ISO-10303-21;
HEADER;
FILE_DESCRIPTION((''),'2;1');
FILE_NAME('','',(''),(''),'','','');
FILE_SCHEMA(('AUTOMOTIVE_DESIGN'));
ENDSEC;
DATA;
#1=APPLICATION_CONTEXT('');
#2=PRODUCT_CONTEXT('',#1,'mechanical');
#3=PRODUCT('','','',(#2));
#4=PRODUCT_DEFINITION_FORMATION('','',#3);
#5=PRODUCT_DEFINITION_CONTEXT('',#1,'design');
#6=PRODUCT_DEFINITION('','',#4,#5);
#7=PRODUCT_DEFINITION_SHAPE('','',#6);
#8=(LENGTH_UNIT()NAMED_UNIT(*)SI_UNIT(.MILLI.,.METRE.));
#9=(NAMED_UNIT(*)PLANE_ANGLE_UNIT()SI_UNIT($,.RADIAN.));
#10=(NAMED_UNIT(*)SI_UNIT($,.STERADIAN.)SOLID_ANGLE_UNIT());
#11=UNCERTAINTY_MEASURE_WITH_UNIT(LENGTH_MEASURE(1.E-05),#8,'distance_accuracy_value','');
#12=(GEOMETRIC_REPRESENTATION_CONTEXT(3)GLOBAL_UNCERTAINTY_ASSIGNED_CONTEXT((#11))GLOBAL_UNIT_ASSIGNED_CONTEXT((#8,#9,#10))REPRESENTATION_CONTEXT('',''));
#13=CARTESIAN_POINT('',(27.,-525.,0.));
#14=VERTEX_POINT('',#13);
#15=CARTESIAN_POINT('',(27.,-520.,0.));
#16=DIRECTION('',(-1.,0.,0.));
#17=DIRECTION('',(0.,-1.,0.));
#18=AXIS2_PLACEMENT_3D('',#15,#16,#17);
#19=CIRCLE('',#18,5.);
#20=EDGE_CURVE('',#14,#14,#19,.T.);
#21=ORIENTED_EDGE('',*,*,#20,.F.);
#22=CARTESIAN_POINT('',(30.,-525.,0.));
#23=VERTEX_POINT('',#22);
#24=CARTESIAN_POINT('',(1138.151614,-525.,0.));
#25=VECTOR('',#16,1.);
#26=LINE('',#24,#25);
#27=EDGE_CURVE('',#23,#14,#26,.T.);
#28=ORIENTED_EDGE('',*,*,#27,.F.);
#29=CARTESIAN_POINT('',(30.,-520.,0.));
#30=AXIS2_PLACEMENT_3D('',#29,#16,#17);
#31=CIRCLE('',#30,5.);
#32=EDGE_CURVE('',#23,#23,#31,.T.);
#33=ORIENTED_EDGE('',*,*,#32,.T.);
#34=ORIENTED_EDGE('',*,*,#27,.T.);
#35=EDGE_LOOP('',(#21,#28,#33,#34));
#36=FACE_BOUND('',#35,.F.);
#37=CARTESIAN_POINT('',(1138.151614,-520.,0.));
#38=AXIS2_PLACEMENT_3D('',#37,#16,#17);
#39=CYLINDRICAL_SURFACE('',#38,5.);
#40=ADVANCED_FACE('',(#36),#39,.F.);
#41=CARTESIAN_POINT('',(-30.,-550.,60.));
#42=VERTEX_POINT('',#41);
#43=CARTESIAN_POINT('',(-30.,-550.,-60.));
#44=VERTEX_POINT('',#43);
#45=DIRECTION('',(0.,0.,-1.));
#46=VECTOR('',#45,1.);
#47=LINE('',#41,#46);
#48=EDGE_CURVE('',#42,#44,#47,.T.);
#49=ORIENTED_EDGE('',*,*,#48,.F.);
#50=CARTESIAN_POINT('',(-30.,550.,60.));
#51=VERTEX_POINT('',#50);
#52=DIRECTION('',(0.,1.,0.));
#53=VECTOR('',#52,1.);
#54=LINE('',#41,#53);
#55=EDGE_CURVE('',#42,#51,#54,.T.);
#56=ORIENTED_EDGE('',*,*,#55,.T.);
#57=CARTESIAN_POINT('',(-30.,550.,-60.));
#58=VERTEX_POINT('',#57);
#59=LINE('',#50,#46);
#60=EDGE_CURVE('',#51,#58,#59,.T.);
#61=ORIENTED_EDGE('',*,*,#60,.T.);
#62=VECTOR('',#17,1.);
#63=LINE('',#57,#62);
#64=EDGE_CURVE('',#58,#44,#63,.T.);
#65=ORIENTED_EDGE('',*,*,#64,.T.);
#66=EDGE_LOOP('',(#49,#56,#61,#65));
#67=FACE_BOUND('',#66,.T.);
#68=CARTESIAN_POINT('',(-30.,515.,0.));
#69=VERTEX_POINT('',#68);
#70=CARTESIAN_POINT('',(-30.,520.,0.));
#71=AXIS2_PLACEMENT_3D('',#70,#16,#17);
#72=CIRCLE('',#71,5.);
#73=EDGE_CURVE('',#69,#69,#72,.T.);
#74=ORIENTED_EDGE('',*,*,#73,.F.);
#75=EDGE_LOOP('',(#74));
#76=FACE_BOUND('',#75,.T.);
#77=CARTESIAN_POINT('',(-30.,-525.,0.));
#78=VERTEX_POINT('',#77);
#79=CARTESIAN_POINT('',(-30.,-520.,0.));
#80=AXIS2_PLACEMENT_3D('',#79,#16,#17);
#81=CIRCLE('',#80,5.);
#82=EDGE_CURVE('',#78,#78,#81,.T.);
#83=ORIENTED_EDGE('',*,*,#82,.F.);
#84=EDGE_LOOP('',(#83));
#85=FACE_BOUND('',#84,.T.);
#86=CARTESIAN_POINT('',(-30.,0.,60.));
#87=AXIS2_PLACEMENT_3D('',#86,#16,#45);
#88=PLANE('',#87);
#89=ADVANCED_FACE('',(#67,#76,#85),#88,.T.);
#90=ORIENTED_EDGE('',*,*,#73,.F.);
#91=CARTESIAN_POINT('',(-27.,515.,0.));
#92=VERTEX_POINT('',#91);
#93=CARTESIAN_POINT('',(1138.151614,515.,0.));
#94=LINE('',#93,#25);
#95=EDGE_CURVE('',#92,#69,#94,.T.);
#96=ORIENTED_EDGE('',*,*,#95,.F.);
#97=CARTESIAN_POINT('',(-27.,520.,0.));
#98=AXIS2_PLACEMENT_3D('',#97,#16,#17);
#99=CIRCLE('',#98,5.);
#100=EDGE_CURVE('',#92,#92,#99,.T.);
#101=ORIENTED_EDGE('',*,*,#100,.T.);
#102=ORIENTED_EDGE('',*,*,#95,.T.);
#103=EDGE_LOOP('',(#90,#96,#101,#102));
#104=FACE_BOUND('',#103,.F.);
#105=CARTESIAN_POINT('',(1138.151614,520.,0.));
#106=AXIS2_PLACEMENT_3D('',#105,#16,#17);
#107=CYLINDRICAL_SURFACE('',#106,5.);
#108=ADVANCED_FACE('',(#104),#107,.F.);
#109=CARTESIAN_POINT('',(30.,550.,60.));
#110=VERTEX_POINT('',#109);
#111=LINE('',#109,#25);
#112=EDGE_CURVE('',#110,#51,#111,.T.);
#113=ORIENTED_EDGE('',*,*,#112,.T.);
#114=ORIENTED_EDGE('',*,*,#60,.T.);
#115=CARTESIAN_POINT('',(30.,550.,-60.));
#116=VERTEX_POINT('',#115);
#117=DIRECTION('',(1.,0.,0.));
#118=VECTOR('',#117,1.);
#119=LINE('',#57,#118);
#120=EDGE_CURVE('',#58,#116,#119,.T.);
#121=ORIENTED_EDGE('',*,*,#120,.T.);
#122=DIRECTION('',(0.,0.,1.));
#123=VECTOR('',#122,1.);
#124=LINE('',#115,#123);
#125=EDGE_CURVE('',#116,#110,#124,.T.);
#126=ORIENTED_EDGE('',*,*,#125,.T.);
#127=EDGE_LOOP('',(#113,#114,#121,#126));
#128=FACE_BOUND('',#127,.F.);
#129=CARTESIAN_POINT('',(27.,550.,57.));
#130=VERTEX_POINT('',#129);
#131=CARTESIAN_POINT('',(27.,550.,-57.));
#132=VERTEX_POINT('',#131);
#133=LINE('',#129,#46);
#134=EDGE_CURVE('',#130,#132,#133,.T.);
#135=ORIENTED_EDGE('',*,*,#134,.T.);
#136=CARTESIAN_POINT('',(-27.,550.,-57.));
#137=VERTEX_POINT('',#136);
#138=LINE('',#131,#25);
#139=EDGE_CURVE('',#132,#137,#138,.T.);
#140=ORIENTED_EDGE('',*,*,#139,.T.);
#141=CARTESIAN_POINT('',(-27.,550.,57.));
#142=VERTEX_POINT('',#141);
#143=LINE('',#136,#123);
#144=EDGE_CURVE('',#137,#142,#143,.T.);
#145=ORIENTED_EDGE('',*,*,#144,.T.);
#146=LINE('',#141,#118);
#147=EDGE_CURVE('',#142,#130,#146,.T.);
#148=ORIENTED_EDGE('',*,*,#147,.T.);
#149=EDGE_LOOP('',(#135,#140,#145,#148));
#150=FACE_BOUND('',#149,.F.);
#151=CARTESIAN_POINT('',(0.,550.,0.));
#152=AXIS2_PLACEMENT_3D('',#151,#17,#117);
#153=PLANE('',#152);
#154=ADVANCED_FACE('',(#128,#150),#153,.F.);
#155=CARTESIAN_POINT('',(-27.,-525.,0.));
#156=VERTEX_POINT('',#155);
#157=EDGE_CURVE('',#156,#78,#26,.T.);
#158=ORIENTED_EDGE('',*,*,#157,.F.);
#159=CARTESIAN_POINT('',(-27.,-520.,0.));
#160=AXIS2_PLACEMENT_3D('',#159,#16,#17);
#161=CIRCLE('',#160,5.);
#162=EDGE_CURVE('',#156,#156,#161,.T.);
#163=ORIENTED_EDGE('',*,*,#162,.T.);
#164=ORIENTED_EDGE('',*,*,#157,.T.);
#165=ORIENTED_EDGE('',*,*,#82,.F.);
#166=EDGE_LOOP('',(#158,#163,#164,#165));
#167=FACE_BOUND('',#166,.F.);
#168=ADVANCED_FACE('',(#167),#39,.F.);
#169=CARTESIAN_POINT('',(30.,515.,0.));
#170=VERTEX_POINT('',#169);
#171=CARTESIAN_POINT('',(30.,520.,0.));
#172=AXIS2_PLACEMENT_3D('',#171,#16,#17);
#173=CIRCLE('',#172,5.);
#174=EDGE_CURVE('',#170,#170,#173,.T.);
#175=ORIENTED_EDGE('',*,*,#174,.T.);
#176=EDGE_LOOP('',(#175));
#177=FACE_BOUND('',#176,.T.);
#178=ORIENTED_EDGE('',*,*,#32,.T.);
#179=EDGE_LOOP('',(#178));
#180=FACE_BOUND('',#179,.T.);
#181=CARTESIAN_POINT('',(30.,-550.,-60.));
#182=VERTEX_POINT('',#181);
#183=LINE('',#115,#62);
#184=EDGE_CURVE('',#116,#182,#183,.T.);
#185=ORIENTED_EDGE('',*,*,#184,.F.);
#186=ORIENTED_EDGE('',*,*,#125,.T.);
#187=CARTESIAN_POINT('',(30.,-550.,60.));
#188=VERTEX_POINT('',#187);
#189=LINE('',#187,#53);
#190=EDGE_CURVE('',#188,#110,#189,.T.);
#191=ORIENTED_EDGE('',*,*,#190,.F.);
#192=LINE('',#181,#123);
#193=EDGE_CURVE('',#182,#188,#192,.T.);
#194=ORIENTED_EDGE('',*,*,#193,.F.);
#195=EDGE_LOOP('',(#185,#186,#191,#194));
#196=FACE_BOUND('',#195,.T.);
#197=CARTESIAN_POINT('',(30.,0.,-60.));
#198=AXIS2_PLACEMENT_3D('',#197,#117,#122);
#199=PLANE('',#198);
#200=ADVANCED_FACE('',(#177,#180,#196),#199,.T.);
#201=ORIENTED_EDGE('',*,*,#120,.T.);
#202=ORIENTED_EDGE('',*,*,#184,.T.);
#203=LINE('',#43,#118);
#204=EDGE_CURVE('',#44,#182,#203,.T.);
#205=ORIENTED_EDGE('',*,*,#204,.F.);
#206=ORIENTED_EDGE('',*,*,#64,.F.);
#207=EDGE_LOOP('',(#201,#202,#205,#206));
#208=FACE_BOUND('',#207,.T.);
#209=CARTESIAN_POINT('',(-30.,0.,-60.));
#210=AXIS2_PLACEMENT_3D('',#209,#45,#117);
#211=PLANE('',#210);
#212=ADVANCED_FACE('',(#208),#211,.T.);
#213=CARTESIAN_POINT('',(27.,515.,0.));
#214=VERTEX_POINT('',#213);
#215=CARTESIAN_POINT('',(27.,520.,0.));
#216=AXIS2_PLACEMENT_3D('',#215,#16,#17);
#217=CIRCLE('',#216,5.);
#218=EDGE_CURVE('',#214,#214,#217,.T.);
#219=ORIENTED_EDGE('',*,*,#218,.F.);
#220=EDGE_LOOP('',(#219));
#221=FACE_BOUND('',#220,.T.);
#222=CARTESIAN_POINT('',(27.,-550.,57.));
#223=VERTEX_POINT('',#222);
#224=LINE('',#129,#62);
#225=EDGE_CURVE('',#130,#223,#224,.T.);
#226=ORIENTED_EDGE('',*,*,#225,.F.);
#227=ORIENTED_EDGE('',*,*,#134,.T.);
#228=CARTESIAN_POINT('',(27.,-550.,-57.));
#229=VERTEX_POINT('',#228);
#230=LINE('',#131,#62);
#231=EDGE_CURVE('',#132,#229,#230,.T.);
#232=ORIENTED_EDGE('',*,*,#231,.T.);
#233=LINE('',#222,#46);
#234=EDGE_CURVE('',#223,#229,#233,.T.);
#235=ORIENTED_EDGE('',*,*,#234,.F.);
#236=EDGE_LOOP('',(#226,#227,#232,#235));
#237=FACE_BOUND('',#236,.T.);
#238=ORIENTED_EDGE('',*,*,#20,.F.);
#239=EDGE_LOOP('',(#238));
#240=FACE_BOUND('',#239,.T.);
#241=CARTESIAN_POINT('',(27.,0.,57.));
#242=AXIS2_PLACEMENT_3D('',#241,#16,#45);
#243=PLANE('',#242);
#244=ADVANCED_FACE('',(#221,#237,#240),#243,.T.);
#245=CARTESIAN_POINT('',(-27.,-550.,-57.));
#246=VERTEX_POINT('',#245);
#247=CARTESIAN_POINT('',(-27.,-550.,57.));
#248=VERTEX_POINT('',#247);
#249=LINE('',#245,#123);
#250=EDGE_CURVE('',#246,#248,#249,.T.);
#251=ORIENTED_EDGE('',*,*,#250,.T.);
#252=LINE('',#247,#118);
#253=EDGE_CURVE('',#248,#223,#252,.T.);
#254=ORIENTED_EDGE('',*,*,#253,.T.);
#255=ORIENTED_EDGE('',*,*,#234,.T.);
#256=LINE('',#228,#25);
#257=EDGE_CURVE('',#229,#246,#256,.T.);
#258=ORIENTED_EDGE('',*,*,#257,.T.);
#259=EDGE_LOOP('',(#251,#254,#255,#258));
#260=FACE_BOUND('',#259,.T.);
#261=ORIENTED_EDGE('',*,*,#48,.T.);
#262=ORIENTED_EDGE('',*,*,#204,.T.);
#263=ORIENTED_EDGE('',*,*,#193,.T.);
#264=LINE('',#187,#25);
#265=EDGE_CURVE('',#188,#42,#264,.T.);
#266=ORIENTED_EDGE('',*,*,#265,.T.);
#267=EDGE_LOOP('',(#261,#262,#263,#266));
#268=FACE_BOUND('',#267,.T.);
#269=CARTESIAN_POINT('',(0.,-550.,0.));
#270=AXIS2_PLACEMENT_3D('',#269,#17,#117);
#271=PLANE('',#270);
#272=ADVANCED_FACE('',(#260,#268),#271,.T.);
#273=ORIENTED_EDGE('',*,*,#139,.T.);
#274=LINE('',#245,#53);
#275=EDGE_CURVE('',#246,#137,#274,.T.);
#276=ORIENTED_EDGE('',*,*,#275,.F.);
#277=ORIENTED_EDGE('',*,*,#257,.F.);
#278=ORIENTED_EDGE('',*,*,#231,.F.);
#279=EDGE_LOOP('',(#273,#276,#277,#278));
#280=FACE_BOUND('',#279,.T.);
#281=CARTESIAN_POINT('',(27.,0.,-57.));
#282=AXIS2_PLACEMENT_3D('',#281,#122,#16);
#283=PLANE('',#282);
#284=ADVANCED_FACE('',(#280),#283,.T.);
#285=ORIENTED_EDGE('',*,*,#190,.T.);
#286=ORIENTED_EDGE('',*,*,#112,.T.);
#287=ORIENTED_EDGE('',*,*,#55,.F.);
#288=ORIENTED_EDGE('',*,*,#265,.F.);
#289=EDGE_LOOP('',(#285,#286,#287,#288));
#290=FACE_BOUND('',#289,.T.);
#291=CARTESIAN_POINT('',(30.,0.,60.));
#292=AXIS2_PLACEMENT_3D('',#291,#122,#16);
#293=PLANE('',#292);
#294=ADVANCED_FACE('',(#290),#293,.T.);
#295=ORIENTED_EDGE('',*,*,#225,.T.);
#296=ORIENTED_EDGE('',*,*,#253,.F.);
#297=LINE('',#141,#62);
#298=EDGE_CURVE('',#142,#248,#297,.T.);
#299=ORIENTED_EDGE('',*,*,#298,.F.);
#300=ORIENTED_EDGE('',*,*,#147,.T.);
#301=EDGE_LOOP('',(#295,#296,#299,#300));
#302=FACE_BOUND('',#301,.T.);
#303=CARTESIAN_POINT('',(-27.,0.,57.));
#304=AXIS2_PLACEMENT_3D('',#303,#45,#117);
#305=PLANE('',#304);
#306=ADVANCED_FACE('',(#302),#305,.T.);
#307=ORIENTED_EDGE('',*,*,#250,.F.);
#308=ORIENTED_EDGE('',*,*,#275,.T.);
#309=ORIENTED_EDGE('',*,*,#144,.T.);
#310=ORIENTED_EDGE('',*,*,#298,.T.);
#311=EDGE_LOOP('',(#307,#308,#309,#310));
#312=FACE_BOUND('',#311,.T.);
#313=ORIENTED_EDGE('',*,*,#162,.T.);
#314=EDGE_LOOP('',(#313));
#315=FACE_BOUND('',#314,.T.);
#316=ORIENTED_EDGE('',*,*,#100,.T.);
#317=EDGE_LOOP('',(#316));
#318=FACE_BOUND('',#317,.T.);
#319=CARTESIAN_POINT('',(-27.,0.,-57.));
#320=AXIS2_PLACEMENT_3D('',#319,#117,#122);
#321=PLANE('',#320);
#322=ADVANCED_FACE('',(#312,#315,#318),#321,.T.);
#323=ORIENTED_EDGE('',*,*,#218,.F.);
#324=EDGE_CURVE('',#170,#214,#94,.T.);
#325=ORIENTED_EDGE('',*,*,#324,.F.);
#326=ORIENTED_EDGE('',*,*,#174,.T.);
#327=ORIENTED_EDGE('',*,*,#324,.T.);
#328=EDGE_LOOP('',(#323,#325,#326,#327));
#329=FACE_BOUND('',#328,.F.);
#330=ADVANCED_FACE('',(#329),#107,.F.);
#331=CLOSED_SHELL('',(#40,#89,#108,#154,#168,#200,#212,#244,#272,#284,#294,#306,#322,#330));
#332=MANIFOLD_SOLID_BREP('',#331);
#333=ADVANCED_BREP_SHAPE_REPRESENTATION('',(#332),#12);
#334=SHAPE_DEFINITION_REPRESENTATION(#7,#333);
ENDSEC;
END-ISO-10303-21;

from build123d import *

# Parameters (mm, degrees)
F1_DEPTH = 550
F3_D     = 10


with BuildPart() as f1:
    # F0 (on Front) → F1 (new body, symmetric)
    with BuildSketch(Plane.XZ):
        Polygon((-30, 60), (-30, 0), (-30, -60), (30, -60), (30, 60), align=None)
        Polygon((-27, 0), (-27, 57), (27, 57), (27, -57), (-27, -57), align=None, mode=Mode.SUBTRACT)
    extrude(amount=F1_DEPTH, both=True)

    # F3 (through all)
    with Locations(Plane.YZ.offset(30)):
        with Locations((520, 0), (-520, 0)):
            Hole(F3_D / 2)


solid = f1.part
